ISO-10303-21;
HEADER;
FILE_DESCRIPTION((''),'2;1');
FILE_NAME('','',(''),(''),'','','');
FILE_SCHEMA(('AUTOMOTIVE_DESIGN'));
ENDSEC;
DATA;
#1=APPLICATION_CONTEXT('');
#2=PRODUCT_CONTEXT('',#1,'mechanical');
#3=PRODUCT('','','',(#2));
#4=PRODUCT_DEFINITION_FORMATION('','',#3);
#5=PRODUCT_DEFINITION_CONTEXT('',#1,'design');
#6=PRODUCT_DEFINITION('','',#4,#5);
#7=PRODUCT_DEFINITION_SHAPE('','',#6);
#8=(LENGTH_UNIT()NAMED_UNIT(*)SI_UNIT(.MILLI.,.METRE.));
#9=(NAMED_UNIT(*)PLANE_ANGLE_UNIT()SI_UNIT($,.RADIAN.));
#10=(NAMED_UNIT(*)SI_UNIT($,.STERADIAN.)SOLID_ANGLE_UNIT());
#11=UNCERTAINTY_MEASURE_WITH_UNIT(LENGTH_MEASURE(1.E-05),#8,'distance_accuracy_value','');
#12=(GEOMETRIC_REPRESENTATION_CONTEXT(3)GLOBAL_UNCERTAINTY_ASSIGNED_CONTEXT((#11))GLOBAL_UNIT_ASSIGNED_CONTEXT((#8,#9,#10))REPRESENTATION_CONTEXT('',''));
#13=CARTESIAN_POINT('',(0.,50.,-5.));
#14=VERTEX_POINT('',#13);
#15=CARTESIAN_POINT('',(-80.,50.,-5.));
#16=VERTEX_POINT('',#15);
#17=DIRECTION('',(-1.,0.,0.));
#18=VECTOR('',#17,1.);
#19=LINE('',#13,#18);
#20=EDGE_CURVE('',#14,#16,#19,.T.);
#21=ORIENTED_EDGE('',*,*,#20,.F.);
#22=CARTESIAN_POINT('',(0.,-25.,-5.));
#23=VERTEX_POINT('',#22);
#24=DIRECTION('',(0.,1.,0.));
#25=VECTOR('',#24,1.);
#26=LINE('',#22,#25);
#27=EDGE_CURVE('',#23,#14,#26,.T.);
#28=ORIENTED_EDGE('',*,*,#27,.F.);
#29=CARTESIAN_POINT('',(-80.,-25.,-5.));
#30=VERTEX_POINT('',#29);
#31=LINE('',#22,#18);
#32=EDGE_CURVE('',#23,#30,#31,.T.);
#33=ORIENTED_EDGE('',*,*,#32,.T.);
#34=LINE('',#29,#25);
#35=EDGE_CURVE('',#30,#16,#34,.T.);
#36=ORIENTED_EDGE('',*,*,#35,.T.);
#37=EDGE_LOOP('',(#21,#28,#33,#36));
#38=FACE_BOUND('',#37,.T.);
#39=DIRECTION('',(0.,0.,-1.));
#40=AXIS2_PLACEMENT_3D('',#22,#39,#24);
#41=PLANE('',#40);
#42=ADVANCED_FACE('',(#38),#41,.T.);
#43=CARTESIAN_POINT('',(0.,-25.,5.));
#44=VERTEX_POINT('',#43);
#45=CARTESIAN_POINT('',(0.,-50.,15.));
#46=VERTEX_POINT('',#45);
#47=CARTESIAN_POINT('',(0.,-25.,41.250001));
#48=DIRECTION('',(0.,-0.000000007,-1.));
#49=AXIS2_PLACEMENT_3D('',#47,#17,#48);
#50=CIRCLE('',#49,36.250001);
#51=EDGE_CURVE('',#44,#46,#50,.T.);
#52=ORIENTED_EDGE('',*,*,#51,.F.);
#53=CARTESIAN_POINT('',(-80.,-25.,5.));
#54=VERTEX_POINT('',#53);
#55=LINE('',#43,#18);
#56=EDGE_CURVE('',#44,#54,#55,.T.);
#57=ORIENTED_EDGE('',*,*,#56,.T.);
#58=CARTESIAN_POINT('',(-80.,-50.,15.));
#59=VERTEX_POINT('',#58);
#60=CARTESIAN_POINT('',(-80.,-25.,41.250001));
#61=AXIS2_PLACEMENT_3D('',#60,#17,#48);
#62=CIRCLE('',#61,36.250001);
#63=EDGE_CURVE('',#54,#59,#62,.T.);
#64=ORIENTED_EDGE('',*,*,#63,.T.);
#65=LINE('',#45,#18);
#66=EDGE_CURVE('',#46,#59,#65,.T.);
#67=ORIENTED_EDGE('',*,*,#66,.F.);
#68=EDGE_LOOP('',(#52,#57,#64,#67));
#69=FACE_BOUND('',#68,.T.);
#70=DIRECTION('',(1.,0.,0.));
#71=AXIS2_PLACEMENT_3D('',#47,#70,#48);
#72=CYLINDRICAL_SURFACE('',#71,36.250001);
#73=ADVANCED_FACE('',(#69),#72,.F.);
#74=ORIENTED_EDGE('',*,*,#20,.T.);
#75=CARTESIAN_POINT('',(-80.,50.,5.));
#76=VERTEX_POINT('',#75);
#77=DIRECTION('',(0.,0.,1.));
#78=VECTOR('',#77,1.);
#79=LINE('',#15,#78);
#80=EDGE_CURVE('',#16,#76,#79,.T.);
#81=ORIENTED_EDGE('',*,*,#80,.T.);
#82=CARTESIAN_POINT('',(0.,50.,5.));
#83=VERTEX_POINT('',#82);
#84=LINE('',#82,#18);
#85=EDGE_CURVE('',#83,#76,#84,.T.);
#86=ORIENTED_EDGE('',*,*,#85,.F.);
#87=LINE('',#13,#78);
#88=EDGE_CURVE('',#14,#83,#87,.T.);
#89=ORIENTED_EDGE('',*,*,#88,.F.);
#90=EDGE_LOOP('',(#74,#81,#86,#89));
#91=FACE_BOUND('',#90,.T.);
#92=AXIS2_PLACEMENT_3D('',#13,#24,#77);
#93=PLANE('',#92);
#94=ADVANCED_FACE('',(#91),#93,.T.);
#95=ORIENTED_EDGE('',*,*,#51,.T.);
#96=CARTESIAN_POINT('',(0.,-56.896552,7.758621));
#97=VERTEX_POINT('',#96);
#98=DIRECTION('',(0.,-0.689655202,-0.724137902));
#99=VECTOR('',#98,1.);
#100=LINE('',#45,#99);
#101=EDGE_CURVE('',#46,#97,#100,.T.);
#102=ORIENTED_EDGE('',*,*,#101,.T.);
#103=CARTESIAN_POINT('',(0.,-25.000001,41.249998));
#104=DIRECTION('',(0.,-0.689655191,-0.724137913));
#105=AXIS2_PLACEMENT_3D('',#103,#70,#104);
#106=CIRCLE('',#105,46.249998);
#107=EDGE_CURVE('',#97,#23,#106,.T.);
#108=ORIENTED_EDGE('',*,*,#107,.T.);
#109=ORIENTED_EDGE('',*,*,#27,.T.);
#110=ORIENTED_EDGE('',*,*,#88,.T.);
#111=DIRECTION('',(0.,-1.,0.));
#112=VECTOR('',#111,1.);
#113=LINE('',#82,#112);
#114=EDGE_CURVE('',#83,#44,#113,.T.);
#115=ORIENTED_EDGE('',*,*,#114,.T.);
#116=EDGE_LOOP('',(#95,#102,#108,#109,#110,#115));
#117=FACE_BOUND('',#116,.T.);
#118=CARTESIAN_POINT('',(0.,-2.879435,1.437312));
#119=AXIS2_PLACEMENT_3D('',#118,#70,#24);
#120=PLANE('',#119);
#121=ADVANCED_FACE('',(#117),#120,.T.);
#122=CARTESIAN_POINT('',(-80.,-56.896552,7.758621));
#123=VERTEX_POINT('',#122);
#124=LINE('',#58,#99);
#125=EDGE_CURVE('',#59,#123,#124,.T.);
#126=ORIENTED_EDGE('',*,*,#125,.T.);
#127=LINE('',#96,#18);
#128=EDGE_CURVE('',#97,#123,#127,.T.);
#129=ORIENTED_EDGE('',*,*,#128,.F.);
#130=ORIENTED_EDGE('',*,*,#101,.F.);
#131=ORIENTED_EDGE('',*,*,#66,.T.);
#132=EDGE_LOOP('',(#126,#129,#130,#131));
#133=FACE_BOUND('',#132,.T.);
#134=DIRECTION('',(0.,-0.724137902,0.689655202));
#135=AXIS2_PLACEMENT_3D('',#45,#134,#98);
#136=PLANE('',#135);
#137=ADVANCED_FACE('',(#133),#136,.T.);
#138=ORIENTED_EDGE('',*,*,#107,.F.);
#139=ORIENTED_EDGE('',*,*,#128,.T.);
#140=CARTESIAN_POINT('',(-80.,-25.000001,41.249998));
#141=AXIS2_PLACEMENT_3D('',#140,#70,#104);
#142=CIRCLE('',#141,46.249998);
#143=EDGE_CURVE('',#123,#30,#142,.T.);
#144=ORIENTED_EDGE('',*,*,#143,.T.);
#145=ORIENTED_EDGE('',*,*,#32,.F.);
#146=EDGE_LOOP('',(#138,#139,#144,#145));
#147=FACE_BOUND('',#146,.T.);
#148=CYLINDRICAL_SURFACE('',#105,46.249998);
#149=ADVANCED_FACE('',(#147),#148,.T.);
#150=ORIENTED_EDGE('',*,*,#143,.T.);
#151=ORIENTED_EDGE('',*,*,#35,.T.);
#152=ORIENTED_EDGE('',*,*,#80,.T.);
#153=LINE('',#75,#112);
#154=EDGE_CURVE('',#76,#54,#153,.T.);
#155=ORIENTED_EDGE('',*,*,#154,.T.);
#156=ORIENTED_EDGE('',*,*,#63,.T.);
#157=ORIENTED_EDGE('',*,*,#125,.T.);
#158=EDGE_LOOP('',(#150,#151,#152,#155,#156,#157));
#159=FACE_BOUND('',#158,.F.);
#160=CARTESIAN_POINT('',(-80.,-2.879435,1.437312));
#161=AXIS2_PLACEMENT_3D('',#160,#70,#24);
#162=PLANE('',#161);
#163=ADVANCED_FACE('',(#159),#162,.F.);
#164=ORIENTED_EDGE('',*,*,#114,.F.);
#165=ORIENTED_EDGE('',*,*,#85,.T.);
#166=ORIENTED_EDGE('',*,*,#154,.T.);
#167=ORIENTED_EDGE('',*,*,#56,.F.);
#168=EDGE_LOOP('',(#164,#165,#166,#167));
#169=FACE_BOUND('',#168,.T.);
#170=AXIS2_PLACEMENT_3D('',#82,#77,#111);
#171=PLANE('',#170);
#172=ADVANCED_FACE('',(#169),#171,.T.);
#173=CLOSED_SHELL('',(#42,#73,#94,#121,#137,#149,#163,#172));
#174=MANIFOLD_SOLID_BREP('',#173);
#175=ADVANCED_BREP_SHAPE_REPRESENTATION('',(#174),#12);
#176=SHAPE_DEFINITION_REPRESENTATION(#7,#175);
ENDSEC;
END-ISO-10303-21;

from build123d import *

# Parameters (mm, degrees)
F1_DEPTH = 80


with BuildPart() as f1:
    # F0 (on Right) → F1 (new body)
    with BuildSketch(Plane.YZ):
        with BuildLine():
            Line((-25, -5), (50, -5))
            Line((50, -5), (50, 5))
            Line((50, 5), (-25, 5))
            ThreePointArc((-25, 5), (-38.462912, 7.59272), (-50, 15))
            Line((-50, 15), (-56.896552, 7.758621))
            ThreePointArc((-56.896552, 7.758621), (-42.176819, -1.692047), (-25, -5))
        make_face()
    extrude(amount=-F1_DEPTH)


solid = f1.part
